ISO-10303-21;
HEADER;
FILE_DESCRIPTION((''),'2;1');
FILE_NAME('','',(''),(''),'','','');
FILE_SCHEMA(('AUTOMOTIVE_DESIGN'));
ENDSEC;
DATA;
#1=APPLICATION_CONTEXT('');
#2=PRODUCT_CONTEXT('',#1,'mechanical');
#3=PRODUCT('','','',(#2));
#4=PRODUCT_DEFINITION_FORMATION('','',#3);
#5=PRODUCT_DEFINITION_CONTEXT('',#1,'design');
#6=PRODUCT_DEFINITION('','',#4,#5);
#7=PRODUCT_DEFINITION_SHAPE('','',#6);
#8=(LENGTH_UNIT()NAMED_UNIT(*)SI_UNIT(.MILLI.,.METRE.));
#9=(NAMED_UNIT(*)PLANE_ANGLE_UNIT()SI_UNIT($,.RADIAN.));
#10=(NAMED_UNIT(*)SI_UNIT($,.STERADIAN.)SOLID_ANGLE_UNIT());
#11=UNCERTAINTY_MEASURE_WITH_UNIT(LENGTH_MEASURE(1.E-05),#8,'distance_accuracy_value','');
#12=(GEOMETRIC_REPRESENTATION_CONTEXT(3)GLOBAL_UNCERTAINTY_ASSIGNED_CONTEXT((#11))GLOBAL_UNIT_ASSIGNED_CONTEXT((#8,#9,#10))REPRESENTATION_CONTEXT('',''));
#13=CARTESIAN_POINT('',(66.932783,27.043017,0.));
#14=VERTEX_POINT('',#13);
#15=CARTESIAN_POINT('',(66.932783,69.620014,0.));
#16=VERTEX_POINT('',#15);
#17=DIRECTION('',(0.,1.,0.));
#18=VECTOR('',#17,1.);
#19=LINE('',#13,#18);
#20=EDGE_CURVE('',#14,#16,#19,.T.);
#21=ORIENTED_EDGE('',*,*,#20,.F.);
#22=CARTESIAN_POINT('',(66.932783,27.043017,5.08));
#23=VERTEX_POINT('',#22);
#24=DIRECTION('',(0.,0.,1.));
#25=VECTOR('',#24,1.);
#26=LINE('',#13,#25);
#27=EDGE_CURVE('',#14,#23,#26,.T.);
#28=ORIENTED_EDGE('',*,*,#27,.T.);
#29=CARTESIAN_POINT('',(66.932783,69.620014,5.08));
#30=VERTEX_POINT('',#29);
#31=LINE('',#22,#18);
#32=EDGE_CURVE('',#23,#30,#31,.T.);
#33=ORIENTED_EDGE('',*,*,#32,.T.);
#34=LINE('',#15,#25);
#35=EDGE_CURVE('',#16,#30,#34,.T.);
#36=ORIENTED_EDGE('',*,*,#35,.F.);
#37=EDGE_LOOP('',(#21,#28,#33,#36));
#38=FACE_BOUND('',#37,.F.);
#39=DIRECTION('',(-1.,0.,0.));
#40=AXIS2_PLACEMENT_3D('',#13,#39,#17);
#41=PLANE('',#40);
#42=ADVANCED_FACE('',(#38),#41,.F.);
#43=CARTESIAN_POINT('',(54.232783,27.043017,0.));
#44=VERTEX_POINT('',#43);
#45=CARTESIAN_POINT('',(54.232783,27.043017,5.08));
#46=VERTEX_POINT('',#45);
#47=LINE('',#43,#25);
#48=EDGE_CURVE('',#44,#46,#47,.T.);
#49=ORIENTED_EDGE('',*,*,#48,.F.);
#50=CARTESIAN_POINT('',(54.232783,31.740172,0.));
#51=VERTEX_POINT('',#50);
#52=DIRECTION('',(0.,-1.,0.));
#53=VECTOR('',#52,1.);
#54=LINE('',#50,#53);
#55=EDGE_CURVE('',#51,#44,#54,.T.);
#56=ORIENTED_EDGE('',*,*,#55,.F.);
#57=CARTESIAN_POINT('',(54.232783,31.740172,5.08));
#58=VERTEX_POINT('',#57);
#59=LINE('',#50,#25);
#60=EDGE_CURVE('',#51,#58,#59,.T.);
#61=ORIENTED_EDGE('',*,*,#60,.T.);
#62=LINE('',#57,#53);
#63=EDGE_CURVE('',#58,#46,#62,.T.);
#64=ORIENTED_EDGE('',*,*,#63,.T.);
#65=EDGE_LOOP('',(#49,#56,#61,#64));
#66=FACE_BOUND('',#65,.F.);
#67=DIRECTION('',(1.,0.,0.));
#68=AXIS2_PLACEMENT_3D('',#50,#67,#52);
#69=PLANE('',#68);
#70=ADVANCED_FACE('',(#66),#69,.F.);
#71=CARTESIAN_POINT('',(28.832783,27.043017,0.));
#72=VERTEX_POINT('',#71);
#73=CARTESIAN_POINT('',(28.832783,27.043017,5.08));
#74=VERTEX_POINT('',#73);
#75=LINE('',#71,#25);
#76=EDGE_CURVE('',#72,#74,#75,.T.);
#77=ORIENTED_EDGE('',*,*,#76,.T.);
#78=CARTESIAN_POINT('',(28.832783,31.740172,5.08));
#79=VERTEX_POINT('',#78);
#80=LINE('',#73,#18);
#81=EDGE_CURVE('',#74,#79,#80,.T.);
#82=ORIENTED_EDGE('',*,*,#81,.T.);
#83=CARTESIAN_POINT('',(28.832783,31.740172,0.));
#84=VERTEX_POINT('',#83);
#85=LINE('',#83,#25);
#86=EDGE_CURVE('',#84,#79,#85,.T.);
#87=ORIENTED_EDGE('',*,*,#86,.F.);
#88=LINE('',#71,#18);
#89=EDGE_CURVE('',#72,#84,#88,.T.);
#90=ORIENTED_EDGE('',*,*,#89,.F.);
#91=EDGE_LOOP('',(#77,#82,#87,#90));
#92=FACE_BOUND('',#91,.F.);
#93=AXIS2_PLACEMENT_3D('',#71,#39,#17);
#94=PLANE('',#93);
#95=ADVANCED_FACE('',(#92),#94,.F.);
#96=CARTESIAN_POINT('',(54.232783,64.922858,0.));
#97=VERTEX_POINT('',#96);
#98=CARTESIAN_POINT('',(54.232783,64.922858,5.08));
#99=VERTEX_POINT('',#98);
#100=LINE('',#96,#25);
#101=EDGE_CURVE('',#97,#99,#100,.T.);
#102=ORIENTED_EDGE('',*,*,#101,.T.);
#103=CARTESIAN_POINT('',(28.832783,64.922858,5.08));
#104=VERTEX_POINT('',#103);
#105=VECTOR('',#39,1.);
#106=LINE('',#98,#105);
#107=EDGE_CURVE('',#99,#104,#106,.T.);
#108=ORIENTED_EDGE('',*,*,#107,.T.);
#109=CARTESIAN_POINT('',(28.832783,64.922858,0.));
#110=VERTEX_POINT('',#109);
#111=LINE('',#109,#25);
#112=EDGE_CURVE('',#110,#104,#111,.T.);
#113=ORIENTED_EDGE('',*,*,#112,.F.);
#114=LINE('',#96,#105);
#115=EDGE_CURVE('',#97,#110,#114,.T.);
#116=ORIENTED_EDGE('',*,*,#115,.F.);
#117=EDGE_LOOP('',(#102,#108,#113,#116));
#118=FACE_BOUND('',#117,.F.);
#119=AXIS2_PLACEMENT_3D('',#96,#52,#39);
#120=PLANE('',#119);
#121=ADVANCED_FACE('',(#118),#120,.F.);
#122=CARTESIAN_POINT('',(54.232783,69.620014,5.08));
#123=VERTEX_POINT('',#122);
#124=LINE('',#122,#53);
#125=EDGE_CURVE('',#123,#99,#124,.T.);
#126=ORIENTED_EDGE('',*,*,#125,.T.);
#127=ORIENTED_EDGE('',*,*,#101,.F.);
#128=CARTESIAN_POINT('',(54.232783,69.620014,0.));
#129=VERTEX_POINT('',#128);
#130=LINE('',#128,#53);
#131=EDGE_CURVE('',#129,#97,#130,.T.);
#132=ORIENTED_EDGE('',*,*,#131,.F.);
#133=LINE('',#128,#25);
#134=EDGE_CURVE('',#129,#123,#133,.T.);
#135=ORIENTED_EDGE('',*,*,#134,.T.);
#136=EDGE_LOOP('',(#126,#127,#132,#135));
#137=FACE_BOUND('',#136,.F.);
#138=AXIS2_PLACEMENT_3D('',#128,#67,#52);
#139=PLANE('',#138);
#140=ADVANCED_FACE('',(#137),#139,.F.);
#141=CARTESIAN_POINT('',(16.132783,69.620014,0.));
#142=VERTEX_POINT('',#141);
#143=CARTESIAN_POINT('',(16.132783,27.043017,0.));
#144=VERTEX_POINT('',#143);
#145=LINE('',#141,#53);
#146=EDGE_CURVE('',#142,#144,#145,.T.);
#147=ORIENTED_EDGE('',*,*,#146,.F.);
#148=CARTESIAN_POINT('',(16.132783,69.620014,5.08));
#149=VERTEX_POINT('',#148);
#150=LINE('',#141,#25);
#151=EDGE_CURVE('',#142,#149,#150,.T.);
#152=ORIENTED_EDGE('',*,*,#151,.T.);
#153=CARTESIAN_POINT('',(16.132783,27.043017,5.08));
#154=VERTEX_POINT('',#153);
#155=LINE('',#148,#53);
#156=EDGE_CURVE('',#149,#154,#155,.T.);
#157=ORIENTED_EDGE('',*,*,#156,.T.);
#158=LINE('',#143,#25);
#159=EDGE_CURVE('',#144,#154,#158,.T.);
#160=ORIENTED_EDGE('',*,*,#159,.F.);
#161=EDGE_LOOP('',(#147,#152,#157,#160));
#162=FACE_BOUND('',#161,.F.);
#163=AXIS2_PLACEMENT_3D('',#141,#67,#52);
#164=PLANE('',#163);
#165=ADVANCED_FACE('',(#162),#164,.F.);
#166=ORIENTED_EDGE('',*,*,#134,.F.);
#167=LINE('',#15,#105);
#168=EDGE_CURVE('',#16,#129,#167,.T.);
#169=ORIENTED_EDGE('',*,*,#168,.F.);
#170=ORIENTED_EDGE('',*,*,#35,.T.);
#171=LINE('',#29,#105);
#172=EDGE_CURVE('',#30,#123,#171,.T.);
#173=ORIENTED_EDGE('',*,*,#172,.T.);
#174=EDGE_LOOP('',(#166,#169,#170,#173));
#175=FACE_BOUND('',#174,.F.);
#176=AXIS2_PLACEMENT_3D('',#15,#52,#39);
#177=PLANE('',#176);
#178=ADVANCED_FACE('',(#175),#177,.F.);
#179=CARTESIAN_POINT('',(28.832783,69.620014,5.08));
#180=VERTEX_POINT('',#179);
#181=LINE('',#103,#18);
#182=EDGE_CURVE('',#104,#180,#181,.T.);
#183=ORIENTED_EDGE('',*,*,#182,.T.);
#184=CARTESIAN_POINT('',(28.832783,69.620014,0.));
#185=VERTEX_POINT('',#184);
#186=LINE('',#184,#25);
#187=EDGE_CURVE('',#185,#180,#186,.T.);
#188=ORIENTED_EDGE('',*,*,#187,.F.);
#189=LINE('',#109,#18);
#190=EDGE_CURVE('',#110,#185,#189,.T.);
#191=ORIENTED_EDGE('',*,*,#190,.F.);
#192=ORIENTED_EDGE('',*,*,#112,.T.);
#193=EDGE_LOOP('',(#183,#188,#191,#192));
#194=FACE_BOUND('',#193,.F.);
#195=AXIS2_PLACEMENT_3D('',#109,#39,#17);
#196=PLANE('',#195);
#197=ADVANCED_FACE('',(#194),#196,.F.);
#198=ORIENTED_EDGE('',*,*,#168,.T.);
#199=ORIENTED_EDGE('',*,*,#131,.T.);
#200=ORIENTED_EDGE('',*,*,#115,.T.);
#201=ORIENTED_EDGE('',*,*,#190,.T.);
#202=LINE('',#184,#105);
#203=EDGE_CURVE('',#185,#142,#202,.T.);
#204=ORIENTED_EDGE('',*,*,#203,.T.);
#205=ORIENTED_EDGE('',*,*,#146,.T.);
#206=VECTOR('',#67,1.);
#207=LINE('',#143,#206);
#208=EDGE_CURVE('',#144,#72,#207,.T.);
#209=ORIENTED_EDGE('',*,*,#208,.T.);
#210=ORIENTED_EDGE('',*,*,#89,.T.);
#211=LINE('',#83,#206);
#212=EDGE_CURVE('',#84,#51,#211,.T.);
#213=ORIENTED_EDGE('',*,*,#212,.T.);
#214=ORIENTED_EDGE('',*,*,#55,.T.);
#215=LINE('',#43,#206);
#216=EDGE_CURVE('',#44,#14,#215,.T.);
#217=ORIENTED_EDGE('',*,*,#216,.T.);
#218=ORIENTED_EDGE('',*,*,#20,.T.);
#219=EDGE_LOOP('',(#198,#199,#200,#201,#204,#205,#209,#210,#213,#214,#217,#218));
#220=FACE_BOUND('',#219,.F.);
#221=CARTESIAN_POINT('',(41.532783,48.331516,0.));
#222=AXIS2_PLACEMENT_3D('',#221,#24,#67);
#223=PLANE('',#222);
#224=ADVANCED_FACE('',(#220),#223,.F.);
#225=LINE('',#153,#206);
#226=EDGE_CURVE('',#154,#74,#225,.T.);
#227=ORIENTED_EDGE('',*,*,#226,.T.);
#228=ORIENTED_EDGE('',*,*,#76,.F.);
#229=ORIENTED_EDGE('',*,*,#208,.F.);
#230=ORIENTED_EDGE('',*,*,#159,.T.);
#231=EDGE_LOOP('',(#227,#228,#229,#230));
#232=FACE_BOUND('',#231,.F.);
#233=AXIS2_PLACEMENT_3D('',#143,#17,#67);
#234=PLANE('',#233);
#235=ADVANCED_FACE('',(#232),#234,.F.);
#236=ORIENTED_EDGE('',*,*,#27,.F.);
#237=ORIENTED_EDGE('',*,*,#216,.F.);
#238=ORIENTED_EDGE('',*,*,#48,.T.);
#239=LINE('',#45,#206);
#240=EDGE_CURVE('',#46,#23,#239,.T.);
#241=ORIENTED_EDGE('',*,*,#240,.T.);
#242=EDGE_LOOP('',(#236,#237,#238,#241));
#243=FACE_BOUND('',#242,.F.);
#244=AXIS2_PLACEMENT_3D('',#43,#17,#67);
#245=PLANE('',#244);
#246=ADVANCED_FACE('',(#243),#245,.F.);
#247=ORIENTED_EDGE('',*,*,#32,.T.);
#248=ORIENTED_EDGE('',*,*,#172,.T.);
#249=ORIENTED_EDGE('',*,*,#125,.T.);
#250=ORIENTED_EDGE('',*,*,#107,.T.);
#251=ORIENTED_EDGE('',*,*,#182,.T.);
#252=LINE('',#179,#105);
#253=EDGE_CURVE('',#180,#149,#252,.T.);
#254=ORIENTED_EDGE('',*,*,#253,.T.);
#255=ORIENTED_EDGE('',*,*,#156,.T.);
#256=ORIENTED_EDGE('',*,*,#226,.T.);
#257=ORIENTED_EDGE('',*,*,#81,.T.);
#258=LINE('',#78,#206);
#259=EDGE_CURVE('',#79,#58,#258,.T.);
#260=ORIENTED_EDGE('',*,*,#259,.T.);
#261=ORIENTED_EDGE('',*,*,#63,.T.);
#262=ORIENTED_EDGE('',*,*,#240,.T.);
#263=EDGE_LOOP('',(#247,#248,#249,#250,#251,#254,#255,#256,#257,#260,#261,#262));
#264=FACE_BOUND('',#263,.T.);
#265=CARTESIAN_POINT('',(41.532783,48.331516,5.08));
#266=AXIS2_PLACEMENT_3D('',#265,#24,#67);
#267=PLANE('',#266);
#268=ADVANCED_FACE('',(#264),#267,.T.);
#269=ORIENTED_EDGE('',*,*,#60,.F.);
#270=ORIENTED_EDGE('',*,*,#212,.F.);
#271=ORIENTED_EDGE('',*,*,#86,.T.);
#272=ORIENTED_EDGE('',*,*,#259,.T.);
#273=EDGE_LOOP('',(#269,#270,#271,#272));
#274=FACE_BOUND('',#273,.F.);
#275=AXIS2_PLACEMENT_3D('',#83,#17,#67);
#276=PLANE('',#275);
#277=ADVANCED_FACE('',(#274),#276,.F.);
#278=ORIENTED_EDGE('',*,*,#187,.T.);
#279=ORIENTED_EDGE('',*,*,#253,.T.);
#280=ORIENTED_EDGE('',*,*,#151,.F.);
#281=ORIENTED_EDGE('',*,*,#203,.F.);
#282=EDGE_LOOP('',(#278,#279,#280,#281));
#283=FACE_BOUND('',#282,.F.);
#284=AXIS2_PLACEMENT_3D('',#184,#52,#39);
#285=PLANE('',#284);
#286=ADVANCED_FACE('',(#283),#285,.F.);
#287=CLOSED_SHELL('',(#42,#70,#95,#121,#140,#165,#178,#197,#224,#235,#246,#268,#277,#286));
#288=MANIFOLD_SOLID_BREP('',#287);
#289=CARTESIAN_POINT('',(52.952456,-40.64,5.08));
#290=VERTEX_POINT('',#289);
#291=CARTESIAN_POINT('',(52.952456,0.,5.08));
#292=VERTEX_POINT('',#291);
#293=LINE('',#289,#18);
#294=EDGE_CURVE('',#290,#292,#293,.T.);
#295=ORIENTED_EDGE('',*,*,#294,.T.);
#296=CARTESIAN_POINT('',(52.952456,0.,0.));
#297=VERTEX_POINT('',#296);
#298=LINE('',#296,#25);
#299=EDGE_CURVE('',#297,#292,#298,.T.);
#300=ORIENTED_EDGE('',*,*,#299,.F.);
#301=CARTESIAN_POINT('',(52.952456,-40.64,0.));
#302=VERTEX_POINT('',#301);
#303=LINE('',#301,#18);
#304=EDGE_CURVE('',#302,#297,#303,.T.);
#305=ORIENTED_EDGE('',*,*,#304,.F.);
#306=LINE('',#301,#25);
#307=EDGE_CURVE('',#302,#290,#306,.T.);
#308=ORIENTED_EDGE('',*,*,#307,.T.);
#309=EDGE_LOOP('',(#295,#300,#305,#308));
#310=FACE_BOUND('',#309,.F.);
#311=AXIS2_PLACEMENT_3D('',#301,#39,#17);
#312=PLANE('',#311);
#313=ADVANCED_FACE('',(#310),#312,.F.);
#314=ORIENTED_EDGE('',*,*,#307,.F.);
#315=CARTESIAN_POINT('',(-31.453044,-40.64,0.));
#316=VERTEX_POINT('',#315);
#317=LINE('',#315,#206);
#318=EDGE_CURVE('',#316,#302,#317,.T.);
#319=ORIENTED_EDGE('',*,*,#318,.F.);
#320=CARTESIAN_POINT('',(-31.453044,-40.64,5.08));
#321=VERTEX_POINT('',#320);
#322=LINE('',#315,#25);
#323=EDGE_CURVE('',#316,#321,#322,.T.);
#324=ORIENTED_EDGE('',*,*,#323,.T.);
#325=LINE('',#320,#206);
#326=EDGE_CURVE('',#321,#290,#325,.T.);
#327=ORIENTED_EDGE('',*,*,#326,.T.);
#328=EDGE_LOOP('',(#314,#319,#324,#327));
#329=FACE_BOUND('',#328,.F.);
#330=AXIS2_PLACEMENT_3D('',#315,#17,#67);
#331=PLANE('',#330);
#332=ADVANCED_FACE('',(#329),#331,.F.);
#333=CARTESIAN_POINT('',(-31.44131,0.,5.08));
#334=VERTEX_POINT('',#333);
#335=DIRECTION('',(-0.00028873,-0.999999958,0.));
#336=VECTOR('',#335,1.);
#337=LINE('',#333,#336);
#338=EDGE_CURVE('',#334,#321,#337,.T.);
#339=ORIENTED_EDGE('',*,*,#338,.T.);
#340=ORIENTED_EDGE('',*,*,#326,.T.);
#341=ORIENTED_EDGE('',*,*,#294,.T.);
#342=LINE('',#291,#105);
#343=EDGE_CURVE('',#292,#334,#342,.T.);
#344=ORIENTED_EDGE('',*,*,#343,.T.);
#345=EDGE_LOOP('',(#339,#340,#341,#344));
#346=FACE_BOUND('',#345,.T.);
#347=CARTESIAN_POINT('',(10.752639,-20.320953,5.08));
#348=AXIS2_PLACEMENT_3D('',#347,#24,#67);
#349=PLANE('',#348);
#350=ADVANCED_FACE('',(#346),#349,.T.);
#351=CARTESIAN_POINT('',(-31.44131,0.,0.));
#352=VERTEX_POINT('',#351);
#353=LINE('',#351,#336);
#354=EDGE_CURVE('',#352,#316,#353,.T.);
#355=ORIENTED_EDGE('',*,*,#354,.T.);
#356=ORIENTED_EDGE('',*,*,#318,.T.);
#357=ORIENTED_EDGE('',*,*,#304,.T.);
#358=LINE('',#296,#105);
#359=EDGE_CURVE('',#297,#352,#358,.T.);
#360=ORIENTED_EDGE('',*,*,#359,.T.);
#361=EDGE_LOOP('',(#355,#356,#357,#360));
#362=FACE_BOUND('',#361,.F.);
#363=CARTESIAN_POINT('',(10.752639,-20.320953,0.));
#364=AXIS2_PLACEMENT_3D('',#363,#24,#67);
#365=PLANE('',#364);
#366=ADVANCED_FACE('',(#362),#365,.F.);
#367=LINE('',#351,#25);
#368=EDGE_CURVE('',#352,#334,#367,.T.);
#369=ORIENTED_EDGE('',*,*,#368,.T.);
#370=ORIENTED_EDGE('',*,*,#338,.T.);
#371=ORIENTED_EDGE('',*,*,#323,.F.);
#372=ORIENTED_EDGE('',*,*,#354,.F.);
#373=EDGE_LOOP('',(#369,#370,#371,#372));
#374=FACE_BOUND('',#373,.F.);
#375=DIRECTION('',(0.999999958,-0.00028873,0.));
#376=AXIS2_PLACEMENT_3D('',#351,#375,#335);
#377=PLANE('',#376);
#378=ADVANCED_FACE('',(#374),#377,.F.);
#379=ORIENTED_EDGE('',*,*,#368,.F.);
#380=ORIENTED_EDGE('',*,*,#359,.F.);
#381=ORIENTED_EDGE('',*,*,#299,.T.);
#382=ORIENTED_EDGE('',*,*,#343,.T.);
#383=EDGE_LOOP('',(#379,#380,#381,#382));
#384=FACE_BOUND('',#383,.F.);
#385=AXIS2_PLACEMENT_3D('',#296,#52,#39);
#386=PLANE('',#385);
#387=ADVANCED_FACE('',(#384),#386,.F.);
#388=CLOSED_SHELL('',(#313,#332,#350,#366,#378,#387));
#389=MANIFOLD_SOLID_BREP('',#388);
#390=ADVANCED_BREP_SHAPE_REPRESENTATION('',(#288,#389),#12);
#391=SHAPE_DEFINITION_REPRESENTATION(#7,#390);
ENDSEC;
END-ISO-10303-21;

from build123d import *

# Parameters (mm, degrees)
F2_DEPTH = 5.08
F3_DEPTH = 5.08


with BuildPart() as f2:
    # F1 (on Top) → F2 (new body)
    with BuildSketch(Plane.XY):
        Polygon((28.832783, 69.620014), (16.132783, 69.620014), (16.132783, 27.043017), (28.832783, 27.043017), (28.832783, 31.740172), (41.532783, 31.740172), (54.232783, 31.740172), (54.232783, 27.043017), (66.932783, 27.043017), (66.932783, 69.620014), (54.232783, 69.620014), (54.232783, 64.922858), (41.532783, 64.922858), (28.832783, 64.922858), align=None)
    extrude(amount=F2_DEPTH)


with BuildPart() as f3:
    # F0 (on Top) → F3 (new body)
    with BuildSketch(Plane.XY):
        Polygon((52.952456, -40.64), (52.952456, 0), (14.266956, 0), (-31.44131, 0), (-31.453044, -40.64), (14.266956, -40.64), align=None)
    extrude(amount=F3_DEPTH)


solid = Compound([f2.part, f3.part])
